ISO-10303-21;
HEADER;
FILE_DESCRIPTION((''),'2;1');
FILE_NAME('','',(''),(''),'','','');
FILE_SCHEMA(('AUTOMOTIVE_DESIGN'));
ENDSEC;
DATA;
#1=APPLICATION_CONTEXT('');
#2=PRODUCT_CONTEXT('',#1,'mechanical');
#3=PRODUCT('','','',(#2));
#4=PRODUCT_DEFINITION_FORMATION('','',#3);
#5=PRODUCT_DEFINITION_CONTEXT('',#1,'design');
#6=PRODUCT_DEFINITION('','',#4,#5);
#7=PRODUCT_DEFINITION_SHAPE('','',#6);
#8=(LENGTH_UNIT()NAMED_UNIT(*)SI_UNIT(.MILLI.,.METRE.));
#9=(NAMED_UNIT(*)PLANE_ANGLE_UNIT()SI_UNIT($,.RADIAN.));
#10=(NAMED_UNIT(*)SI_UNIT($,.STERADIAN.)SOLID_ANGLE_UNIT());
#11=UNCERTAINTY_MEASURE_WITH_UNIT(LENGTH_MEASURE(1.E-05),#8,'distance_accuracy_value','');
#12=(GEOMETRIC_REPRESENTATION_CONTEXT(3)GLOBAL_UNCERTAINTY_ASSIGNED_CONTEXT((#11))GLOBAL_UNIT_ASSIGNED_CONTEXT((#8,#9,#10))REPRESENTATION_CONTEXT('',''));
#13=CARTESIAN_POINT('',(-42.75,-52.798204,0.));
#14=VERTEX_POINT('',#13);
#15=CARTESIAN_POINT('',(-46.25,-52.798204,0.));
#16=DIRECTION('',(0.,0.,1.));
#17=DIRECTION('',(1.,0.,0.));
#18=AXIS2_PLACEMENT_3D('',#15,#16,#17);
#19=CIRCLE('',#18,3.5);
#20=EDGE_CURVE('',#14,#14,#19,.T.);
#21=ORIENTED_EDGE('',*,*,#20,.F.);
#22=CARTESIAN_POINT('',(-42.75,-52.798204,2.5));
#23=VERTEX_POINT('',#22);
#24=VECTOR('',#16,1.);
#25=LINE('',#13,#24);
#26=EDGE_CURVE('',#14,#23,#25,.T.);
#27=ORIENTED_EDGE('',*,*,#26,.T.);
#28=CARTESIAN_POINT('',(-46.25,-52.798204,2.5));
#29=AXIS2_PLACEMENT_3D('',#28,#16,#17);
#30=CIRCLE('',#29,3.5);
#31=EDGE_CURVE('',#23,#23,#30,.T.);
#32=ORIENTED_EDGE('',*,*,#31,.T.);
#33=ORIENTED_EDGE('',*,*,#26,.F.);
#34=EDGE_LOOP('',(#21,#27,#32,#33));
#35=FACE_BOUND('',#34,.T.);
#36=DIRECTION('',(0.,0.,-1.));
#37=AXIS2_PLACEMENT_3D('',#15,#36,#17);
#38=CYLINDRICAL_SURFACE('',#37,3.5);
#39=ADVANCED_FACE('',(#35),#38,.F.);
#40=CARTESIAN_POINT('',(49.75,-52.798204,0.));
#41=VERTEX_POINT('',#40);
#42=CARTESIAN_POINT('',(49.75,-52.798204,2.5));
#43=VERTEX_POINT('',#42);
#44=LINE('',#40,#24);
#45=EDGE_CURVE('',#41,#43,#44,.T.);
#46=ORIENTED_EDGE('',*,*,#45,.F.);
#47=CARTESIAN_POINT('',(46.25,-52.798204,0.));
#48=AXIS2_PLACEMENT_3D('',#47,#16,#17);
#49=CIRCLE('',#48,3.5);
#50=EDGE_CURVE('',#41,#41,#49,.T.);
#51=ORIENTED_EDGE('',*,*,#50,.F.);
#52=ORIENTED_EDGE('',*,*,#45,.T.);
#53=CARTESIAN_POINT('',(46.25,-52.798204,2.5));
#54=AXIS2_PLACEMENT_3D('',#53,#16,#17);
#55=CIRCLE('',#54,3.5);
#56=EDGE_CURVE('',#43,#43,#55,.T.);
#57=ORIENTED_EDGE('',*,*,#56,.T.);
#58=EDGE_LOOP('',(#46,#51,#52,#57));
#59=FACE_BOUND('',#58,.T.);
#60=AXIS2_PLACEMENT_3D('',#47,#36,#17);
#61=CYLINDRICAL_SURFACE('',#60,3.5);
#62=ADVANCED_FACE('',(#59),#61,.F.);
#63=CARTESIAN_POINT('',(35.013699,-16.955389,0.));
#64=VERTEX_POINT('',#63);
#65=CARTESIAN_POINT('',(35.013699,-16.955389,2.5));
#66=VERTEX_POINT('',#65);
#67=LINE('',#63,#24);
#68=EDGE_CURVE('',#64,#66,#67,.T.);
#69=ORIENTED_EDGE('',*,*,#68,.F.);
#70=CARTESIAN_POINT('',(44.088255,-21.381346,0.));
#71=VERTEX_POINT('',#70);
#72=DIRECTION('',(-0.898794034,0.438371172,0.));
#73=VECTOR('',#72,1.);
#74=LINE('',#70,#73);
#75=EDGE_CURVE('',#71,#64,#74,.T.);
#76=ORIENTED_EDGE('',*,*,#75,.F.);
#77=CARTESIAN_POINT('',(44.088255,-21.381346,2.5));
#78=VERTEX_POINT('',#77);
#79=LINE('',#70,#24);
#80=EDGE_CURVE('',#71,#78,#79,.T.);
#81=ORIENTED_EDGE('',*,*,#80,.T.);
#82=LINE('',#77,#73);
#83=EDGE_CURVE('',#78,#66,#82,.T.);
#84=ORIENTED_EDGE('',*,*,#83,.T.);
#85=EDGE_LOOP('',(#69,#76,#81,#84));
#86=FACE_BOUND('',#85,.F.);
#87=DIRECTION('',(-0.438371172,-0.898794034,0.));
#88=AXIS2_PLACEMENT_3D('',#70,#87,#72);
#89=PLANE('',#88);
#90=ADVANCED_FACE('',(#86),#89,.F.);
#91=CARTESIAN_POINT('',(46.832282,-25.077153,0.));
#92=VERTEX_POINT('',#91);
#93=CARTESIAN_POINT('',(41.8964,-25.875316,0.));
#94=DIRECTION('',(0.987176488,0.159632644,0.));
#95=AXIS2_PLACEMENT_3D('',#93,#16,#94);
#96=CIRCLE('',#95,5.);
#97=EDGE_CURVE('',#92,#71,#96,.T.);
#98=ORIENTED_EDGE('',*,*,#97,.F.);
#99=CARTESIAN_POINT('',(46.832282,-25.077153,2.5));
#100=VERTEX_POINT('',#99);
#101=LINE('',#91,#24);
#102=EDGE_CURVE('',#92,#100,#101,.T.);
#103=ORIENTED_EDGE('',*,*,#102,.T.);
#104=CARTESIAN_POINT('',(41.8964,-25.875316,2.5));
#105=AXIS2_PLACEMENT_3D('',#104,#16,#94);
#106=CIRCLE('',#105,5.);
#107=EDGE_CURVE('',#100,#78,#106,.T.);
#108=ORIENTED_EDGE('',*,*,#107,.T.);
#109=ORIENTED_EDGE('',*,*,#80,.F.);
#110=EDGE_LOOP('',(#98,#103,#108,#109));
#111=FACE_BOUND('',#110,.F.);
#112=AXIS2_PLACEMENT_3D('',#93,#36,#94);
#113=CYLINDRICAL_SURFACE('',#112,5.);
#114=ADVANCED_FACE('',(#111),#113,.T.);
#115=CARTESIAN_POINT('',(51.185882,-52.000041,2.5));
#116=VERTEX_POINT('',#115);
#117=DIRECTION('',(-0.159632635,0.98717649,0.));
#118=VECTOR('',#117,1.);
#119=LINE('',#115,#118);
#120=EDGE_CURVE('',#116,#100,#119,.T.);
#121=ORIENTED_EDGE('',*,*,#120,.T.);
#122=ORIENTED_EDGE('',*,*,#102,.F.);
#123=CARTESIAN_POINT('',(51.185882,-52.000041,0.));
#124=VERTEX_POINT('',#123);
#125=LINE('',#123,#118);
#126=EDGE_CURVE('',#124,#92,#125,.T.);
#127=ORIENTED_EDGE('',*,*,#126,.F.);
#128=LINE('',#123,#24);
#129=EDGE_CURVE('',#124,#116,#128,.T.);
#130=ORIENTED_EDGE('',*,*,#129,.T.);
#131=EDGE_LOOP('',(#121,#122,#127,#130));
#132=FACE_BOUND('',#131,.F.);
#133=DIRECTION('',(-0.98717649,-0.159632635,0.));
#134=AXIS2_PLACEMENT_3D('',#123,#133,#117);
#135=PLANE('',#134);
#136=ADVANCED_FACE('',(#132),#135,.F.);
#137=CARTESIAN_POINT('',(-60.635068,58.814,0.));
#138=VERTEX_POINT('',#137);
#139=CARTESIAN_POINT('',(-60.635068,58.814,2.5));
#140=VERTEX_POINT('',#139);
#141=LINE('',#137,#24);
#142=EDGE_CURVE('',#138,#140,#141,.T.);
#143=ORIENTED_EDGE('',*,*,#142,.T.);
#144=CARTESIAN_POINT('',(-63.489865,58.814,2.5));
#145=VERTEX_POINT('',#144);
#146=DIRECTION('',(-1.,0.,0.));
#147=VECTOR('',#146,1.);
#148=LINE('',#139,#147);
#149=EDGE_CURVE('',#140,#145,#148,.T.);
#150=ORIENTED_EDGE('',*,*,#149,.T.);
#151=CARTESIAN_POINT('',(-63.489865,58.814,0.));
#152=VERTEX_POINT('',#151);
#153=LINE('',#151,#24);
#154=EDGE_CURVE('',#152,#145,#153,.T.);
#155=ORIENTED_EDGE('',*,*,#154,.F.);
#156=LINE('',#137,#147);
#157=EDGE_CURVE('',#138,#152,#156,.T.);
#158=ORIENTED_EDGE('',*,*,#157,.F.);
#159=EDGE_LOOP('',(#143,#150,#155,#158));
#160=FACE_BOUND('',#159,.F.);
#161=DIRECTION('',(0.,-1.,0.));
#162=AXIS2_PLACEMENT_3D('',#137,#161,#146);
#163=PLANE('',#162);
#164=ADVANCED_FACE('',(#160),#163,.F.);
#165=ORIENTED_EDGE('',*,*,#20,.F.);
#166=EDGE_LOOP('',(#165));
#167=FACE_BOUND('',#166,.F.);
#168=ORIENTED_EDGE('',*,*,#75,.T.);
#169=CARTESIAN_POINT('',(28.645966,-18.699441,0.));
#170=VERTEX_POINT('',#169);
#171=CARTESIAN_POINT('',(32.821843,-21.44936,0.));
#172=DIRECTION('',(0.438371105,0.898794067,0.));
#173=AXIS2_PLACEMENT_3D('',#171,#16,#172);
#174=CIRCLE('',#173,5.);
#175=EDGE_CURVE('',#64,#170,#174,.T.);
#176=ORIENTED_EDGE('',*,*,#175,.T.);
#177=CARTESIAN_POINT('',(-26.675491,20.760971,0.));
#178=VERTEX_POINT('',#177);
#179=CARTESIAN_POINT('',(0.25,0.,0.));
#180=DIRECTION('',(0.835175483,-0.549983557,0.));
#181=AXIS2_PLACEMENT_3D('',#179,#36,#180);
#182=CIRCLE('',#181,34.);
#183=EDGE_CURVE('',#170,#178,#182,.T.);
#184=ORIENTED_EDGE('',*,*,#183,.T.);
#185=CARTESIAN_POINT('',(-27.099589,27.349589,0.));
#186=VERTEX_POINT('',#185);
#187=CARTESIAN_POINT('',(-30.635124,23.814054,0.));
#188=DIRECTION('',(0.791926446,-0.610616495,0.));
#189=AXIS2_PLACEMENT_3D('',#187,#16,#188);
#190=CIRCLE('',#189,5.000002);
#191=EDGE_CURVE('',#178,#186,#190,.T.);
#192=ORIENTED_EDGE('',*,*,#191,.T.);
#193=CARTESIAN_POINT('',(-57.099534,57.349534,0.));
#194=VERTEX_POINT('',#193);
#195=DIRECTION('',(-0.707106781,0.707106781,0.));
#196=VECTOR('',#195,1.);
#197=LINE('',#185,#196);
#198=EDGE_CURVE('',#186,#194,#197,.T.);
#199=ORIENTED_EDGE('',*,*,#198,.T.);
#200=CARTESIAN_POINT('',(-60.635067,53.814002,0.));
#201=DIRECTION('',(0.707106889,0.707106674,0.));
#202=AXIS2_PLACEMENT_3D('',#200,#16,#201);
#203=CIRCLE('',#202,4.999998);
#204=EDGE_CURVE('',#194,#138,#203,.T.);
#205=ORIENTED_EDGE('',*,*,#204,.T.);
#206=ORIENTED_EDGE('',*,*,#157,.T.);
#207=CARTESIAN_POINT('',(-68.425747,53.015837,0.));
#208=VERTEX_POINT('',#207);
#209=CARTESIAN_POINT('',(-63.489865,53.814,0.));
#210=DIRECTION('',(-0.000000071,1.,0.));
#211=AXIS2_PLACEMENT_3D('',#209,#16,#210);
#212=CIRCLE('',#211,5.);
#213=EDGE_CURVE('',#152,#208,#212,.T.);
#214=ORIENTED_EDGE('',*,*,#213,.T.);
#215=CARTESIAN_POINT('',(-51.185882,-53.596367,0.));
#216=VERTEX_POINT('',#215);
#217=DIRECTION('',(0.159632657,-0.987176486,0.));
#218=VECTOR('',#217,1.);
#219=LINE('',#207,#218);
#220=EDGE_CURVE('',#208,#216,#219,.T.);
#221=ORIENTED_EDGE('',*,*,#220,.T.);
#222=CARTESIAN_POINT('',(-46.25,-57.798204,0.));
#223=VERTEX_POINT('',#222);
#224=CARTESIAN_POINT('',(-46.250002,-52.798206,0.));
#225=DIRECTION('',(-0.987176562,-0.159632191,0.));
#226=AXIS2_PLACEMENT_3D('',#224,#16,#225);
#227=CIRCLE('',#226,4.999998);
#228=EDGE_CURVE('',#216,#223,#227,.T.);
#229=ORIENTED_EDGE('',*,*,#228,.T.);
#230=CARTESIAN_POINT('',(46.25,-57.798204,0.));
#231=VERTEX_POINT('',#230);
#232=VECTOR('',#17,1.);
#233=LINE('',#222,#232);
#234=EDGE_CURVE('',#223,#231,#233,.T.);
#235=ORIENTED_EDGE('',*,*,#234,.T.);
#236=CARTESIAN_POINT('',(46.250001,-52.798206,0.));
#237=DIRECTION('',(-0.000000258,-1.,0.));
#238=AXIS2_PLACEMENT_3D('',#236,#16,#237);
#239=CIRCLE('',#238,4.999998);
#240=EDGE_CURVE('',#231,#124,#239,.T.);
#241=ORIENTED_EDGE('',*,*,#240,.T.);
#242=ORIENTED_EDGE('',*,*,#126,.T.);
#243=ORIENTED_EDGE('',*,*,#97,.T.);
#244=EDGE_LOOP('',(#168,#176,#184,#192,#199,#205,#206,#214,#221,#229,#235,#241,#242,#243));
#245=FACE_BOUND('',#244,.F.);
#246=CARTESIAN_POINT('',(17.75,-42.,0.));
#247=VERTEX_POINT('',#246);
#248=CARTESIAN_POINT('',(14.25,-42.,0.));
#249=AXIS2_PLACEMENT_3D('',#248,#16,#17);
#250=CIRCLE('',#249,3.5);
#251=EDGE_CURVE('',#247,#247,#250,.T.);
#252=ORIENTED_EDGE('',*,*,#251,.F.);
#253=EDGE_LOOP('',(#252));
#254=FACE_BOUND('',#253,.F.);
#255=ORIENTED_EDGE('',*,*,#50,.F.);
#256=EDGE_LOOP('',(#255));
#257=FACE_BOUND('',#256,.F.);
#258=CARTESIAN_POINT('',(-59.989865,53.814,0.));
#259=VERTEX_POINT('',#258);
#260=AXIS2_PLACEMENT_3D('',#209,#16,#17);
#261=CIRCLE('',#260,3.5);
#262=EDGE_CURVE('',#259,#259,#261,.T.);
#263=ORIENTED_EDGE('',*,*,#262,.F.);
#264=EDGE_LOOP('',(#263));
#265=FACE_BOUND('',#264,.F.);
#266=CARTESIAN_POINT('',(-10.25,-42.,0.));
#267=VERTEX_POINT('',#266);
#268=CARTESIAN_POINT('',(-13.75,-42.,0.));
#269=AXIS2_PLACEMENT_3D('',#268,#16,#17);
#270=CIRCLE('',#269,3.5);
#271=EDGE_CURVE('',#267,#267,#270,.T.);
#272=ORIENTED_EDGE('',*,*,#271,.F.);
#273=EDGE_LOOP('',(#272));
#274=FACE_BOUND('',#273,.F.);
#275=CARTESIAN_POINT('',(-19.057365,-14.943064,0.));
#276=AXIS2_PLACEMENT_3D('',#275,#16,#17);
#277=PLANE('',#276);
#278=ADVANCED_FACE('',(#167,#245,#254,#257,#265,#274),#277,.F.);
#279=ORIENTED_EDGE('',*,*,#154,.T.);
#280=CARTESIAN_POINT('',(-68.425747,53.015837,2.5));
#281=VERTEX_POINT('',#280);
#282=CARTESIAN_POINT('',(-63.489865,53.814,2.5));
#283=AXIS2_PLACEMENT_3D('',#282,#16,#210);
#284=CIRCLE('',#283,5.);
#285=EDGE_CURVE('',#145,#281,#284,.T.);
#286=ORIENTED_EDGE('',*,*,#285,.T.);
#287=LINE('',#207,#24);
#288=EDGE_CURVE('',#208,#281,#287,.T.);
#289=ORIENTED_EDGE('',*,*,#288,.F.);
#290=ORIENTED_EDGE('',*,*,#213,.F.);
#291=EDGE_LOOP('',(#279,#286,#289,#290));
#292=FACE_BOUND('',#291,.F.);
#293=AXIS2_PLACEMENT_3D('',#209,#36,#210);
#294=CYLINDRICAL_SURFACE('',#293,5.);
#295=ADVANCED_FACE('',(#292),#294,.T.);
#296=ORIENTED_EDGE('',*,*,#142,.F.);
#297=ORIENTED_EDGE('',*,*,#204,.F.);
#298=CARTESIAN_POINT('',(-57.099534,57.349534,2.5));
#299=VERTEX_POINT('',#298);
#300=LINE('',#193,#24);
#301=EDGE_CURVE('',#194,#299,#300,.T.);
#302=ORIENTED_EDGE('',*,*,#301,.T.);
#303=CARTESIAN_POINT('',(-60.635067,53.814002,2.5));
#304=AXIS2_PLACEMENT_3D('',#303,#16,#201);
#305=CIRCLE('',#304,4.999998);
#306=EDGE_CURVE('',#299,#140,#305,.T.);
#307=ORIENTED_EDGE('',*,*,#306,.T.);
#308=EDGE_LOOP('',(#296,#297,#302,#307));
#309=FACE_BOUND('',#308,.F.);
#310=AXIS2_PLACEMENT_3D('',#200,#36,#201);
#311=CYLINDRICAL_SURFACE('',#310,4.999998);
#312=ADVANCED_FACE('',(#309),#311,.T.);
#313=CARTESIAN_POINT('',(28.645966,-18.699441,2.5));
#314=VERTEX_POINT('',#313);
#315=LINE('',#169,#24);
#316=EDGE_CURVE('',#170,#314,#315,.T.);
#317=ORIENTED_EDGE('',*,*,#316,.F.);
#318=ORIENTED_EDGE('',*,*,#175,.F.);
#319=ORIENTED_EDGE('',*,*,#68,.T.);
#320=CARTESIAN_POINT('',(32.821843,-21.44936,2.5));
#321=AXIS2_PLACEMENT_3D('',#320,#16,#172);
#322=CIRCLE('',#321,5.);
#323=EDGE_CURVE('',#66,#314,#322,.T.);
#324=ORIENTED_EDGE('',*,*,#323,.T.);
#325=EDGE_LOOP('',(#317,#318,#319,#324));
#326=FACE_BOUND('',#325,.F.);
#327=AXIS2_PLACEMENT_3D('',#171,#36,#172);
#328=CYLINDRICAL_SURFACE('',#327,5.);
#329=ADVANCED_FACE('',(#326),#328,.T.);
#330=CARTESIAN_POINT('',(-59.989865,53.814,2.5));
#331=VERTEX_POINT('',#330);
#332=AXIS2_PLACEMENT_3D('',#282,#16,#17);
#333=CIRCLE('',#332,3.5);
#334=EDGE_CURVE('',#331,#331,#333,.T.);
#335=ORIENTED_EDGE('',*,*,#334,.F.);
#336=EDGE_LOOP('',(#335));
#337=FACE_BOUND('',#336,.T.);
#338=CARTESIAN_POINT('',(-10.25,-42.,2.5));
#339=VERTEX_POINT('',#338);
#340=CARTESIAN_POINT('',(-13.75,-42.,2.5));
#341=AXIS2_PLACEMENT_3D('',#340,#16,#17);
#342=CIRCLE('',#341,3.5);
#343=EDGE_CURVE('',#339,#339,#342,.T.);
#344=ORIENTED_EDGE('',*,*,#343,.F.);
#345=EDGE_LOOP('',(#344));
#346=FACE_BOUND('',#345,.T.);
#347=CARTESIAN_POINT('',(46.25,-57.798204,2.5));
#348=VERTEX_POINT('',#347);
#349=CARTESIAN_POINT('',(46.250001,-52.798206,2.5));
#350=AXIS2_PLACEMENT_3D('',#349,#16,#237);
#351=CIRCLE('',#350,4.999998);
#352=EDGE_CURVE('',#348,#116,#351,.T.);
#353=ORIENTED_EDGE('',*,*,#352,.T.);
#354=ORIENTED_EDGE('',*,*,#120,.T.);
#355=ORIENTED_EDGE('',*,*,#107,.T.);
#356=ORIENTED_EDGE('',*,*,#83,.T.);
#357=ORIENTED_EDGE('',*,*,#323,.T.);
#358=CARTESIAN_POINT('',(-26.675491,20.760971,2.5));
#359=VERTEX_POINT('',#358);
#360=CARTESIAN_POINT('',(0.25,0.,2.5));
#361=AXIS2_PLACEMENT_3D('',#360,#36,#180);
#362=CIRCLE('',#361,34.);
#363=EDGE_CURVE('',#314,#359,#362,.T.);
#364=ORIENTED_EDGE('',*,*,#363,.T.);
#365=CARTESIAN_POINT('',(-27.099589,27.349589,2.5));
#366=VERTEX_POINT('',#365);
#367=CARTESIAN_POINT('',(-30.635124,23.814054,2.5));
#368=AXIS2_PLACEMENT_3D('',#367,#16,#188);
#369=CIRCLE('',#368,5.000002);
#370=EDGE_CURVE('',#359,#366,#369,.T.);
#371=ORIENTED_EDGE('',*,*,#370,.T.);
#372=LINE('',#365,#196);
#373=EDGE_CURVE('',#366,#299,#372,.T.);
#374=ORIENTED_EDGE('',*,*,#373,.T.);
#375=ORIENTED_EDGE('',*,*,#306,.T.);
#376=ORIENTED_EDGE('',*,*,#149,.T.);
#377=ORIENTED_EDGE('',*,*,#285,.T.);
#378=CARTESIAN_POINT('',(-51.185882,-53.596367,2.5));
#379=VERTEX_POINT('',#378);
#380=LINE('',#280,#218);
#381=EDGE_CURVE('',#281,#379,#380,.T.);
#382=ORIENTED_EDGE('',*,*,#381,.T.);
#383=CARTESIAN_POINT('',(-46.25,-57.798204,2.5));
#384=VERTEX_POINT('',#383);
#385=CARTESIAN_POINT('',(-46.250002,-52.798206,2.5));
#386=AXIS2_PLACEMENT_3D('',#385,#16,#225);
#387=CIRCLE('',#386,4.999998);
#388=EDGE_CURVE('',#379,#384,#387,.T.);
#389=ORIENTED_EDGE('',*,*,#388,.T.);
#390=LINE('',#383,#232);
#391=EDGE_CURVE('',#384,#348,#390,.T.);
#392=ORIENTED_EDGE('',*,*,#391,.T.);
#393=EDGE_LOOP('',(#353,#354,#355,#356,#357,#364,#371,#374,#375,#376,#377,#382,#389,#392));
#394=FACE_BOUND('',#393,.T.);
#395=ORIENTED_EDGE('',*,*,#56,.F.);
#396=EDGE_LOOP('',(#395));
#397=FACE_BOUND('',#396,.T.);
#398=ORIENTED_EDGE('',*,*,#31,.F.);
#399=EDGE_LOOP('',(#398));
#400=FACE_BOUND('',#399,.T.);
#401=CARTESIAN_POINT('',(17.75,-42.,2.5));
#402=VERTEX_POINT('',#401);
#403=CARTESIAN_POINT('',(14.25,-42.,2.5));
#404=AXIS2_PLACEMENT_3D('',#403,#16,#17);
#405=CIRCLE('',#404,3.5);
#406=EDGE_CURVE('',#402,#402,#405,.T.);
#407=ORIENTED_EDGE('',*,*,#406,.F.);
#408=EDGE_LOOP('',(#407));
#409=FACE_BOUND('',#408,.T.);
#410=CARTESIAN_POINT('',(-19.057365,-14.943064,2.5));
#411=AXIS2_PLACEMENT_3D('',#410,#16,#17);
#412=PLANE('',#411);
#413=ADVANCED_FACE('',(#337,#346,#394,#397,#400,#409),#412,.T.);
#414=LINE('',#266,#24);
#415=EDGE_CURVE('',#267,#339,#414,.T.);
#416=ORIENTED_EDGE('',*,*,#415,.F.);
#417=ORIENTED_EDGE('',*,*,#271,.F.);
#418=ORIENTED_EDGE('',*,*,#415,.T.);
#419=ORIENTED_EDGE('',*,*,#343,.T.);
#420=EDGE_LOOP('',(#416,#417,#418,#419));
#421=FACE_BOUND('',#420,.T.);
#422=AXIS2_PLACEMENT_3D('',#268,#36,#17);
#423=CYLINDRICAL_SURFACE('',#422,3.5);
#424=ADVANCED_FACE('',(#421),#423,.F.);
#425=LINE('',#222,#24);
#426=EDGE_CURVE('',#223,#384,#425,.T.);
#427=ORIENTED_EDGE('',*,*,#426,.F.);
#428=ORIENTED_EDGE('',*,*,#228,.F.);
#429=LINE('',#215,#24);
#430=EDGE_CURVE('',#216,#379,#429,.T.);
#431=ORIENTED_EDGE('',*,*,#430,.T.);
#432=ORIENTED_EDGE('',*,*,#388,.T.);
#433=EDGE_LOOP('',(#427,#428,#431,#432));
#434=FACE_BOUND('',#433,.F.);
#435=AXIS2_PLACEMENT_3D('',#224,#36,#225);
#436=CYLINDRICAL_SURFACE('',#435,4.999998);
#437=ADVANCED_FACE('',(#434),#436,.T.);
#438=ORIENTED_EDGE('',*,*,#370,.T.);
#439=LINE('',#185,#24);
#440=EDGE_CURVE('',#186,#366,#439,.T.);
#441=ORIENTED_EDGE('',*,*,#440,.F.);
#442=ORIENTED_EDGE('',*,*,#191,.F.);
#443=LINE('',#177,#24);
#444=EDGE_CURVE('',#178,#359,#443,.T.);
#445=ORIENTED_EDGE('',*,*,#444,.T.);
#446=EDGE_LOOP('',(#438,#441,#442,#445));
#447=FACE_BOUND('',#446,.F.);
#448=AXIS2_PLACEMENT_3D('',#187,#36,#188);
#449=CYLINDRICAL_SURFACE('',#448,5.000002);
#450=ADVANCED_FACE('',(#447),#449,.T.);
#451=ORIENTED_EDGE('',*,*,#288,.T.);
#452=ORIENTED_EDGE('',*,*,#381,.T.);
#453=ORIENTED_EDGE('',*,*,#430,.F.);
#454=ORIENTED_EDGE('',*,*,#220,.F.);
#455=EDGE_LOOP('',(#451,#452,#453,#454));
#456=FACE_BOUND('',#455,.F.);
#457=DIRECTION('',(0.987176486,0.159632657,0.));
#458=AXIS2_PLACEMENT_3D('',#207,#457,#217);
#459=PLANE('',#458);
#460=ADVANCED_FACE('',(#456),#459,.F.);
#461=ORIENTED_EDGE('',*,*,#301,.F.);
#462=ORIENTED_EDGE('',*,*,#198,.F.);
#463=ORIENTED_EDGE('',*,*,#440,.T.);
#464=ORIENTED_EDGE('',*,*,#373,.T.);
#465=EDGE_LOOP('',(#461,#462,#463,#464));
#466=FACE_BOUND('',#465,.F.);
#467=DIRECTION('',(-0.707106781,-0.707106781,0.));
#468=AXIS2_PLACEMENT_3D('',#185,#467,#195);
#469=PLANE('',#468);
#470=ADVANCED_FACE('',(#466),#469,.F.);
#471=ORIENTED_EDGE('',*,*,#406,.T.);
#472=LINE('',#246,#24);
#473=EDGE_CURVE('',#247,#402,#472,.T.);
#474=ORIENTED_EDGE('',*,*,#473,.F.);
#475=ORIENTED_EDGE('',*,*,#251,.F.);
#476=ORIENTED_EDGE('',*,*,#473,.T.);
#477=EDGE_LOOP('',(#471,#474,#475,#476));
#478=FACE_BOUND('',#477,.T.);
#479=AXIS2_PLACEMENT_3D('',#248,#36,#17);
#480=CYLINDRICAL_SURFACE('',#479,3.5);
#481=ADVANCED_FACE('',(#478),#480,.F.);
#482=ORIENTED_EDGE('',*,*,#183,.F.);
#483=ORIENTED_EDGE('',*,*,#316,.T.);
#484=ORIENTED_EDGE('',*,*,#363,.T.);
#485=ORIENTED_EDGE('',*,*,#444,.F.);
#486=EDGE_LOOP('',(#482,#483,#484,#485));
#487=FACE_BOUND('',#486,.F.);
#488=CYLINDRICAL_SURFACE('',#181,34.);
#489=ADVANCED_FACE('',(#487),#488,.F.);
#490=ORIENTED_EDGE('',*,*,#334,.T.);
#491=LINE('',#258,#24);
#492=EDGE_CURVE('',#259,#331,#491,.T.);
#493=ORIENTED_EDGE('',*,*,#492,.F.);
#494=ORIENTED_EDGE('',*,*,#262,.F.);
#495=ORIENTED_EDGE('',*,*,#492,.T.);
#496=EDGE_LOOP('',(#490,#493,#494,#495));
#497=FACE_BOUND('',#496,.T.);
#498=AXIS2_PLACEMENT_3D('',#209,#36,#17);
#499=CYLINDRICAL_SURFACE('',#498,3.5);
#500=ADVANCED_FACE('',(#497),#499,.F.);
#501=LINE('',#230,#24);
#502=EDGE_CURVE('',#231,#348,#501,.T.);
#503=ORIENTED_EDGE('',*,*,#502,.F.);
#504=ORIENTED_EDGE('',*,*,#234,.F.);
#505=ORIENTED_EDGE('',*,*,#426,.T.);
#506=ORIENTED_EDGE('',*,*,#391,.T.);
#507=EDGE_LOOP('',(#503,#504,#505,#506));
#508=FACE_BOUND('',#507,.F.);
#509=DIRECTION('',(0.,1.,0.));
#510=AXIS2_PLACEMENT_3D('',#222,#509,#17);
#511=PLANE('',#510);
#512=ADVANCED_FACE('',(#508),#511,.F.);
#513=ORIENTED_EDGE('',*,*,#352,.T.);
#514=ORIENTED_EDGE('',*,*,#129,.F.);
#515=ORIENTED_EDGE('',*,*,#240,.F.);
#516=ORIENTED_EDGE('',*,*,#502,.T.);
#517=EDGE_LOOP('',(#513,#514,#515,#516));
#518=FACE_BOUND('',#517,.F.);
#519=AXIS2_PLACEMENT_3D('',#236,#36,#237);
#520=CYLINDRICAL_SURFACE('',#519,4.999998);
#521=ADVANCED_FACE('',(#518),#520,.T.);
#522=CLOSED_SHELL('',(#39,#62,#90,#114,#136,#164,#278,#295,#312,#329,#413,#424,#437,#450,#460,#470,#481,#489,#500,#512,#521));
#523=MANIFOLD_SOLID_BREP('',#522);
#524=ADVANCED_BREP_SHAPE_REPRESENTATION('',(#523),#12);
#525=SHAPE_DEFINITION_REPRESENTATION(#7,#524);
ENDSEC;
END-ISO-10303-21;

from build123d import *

# Parameters (mm, degrees)
F0_R     = 3.5
F1_DEPTH = 2.5


with BuildPart() as f1:
    # F0 (on Top) → F1 (new body)
    with BuildSketch(Plane.XY):
        with BuildLine():
            Line((-60.635068, 58.814), (-63.489865, 58.814))
            ThreePointArc((-63.489865, 58.814), (-67.297148, 57.055079), (-68.425747, 53.015837))
            Line((-68.425747, 53.015837), (-51.185882, -53.596367))
            ThreePointArc((-51.185882, -53.596367), (-49.491079, -56.605488), (-46.25, -57.798204))
            Line((-46.25, -57.798204), (46.25, -57.798204))
            ThreePointArc((46.25, -57.798204), (50.057284, -56.039283), (51.185882, -52.000041))
            Line((51.185882, -52.000041), (46.832282, -25.077153))
            ThreePointArc((46.832282, -25.077153), (45.910862, -22.894697), (44.088255, -21.381346))
            Line((44.088255, -21.381346), (35.013699, -16.955389))
            ThreePointArc((35.013699, -16.955389), (31.501043, -16.626965), (28.645966, -18.699441))
            ThreePointArc((28.645966, -18.699441), (-19.4939, -27.679928), (-26.675491, 20.760971))
            ThreePointArc((-26.675491, 20.760971), (-25.645449, 24.135231), (-27.099589, 27.349589))
            Line((-27.099589, 27.349589), (-57.099534, 57.349534))
            ThreePointArc((-57.099534, 57.349534), (-58.721651, 58.433398), (-60.635068, 58.814))
        make_face()
        with Locations((-46.25, -52.798204)):
            Circle(F0_R, mode=Mode.SUBTRACT)
        with Locations((-13.75, -42)):
            Circle(F0_R, mode=Mode.SUBTRACT)
        with Locations((14.25, -42)):
            Circle(F0_R, mode=Mode.SUBTRACT)
        with Locations((46.25, -52.798204)):
            Circle(F0_R, mode=Mode.SUBTRACT)
        with Locations((-63.489865, 53.814)):
            Circle(F0_R, mode=Mode.SUBTRACT)
    extrude(amount=F1_DEPTH)


solid = f1.part
